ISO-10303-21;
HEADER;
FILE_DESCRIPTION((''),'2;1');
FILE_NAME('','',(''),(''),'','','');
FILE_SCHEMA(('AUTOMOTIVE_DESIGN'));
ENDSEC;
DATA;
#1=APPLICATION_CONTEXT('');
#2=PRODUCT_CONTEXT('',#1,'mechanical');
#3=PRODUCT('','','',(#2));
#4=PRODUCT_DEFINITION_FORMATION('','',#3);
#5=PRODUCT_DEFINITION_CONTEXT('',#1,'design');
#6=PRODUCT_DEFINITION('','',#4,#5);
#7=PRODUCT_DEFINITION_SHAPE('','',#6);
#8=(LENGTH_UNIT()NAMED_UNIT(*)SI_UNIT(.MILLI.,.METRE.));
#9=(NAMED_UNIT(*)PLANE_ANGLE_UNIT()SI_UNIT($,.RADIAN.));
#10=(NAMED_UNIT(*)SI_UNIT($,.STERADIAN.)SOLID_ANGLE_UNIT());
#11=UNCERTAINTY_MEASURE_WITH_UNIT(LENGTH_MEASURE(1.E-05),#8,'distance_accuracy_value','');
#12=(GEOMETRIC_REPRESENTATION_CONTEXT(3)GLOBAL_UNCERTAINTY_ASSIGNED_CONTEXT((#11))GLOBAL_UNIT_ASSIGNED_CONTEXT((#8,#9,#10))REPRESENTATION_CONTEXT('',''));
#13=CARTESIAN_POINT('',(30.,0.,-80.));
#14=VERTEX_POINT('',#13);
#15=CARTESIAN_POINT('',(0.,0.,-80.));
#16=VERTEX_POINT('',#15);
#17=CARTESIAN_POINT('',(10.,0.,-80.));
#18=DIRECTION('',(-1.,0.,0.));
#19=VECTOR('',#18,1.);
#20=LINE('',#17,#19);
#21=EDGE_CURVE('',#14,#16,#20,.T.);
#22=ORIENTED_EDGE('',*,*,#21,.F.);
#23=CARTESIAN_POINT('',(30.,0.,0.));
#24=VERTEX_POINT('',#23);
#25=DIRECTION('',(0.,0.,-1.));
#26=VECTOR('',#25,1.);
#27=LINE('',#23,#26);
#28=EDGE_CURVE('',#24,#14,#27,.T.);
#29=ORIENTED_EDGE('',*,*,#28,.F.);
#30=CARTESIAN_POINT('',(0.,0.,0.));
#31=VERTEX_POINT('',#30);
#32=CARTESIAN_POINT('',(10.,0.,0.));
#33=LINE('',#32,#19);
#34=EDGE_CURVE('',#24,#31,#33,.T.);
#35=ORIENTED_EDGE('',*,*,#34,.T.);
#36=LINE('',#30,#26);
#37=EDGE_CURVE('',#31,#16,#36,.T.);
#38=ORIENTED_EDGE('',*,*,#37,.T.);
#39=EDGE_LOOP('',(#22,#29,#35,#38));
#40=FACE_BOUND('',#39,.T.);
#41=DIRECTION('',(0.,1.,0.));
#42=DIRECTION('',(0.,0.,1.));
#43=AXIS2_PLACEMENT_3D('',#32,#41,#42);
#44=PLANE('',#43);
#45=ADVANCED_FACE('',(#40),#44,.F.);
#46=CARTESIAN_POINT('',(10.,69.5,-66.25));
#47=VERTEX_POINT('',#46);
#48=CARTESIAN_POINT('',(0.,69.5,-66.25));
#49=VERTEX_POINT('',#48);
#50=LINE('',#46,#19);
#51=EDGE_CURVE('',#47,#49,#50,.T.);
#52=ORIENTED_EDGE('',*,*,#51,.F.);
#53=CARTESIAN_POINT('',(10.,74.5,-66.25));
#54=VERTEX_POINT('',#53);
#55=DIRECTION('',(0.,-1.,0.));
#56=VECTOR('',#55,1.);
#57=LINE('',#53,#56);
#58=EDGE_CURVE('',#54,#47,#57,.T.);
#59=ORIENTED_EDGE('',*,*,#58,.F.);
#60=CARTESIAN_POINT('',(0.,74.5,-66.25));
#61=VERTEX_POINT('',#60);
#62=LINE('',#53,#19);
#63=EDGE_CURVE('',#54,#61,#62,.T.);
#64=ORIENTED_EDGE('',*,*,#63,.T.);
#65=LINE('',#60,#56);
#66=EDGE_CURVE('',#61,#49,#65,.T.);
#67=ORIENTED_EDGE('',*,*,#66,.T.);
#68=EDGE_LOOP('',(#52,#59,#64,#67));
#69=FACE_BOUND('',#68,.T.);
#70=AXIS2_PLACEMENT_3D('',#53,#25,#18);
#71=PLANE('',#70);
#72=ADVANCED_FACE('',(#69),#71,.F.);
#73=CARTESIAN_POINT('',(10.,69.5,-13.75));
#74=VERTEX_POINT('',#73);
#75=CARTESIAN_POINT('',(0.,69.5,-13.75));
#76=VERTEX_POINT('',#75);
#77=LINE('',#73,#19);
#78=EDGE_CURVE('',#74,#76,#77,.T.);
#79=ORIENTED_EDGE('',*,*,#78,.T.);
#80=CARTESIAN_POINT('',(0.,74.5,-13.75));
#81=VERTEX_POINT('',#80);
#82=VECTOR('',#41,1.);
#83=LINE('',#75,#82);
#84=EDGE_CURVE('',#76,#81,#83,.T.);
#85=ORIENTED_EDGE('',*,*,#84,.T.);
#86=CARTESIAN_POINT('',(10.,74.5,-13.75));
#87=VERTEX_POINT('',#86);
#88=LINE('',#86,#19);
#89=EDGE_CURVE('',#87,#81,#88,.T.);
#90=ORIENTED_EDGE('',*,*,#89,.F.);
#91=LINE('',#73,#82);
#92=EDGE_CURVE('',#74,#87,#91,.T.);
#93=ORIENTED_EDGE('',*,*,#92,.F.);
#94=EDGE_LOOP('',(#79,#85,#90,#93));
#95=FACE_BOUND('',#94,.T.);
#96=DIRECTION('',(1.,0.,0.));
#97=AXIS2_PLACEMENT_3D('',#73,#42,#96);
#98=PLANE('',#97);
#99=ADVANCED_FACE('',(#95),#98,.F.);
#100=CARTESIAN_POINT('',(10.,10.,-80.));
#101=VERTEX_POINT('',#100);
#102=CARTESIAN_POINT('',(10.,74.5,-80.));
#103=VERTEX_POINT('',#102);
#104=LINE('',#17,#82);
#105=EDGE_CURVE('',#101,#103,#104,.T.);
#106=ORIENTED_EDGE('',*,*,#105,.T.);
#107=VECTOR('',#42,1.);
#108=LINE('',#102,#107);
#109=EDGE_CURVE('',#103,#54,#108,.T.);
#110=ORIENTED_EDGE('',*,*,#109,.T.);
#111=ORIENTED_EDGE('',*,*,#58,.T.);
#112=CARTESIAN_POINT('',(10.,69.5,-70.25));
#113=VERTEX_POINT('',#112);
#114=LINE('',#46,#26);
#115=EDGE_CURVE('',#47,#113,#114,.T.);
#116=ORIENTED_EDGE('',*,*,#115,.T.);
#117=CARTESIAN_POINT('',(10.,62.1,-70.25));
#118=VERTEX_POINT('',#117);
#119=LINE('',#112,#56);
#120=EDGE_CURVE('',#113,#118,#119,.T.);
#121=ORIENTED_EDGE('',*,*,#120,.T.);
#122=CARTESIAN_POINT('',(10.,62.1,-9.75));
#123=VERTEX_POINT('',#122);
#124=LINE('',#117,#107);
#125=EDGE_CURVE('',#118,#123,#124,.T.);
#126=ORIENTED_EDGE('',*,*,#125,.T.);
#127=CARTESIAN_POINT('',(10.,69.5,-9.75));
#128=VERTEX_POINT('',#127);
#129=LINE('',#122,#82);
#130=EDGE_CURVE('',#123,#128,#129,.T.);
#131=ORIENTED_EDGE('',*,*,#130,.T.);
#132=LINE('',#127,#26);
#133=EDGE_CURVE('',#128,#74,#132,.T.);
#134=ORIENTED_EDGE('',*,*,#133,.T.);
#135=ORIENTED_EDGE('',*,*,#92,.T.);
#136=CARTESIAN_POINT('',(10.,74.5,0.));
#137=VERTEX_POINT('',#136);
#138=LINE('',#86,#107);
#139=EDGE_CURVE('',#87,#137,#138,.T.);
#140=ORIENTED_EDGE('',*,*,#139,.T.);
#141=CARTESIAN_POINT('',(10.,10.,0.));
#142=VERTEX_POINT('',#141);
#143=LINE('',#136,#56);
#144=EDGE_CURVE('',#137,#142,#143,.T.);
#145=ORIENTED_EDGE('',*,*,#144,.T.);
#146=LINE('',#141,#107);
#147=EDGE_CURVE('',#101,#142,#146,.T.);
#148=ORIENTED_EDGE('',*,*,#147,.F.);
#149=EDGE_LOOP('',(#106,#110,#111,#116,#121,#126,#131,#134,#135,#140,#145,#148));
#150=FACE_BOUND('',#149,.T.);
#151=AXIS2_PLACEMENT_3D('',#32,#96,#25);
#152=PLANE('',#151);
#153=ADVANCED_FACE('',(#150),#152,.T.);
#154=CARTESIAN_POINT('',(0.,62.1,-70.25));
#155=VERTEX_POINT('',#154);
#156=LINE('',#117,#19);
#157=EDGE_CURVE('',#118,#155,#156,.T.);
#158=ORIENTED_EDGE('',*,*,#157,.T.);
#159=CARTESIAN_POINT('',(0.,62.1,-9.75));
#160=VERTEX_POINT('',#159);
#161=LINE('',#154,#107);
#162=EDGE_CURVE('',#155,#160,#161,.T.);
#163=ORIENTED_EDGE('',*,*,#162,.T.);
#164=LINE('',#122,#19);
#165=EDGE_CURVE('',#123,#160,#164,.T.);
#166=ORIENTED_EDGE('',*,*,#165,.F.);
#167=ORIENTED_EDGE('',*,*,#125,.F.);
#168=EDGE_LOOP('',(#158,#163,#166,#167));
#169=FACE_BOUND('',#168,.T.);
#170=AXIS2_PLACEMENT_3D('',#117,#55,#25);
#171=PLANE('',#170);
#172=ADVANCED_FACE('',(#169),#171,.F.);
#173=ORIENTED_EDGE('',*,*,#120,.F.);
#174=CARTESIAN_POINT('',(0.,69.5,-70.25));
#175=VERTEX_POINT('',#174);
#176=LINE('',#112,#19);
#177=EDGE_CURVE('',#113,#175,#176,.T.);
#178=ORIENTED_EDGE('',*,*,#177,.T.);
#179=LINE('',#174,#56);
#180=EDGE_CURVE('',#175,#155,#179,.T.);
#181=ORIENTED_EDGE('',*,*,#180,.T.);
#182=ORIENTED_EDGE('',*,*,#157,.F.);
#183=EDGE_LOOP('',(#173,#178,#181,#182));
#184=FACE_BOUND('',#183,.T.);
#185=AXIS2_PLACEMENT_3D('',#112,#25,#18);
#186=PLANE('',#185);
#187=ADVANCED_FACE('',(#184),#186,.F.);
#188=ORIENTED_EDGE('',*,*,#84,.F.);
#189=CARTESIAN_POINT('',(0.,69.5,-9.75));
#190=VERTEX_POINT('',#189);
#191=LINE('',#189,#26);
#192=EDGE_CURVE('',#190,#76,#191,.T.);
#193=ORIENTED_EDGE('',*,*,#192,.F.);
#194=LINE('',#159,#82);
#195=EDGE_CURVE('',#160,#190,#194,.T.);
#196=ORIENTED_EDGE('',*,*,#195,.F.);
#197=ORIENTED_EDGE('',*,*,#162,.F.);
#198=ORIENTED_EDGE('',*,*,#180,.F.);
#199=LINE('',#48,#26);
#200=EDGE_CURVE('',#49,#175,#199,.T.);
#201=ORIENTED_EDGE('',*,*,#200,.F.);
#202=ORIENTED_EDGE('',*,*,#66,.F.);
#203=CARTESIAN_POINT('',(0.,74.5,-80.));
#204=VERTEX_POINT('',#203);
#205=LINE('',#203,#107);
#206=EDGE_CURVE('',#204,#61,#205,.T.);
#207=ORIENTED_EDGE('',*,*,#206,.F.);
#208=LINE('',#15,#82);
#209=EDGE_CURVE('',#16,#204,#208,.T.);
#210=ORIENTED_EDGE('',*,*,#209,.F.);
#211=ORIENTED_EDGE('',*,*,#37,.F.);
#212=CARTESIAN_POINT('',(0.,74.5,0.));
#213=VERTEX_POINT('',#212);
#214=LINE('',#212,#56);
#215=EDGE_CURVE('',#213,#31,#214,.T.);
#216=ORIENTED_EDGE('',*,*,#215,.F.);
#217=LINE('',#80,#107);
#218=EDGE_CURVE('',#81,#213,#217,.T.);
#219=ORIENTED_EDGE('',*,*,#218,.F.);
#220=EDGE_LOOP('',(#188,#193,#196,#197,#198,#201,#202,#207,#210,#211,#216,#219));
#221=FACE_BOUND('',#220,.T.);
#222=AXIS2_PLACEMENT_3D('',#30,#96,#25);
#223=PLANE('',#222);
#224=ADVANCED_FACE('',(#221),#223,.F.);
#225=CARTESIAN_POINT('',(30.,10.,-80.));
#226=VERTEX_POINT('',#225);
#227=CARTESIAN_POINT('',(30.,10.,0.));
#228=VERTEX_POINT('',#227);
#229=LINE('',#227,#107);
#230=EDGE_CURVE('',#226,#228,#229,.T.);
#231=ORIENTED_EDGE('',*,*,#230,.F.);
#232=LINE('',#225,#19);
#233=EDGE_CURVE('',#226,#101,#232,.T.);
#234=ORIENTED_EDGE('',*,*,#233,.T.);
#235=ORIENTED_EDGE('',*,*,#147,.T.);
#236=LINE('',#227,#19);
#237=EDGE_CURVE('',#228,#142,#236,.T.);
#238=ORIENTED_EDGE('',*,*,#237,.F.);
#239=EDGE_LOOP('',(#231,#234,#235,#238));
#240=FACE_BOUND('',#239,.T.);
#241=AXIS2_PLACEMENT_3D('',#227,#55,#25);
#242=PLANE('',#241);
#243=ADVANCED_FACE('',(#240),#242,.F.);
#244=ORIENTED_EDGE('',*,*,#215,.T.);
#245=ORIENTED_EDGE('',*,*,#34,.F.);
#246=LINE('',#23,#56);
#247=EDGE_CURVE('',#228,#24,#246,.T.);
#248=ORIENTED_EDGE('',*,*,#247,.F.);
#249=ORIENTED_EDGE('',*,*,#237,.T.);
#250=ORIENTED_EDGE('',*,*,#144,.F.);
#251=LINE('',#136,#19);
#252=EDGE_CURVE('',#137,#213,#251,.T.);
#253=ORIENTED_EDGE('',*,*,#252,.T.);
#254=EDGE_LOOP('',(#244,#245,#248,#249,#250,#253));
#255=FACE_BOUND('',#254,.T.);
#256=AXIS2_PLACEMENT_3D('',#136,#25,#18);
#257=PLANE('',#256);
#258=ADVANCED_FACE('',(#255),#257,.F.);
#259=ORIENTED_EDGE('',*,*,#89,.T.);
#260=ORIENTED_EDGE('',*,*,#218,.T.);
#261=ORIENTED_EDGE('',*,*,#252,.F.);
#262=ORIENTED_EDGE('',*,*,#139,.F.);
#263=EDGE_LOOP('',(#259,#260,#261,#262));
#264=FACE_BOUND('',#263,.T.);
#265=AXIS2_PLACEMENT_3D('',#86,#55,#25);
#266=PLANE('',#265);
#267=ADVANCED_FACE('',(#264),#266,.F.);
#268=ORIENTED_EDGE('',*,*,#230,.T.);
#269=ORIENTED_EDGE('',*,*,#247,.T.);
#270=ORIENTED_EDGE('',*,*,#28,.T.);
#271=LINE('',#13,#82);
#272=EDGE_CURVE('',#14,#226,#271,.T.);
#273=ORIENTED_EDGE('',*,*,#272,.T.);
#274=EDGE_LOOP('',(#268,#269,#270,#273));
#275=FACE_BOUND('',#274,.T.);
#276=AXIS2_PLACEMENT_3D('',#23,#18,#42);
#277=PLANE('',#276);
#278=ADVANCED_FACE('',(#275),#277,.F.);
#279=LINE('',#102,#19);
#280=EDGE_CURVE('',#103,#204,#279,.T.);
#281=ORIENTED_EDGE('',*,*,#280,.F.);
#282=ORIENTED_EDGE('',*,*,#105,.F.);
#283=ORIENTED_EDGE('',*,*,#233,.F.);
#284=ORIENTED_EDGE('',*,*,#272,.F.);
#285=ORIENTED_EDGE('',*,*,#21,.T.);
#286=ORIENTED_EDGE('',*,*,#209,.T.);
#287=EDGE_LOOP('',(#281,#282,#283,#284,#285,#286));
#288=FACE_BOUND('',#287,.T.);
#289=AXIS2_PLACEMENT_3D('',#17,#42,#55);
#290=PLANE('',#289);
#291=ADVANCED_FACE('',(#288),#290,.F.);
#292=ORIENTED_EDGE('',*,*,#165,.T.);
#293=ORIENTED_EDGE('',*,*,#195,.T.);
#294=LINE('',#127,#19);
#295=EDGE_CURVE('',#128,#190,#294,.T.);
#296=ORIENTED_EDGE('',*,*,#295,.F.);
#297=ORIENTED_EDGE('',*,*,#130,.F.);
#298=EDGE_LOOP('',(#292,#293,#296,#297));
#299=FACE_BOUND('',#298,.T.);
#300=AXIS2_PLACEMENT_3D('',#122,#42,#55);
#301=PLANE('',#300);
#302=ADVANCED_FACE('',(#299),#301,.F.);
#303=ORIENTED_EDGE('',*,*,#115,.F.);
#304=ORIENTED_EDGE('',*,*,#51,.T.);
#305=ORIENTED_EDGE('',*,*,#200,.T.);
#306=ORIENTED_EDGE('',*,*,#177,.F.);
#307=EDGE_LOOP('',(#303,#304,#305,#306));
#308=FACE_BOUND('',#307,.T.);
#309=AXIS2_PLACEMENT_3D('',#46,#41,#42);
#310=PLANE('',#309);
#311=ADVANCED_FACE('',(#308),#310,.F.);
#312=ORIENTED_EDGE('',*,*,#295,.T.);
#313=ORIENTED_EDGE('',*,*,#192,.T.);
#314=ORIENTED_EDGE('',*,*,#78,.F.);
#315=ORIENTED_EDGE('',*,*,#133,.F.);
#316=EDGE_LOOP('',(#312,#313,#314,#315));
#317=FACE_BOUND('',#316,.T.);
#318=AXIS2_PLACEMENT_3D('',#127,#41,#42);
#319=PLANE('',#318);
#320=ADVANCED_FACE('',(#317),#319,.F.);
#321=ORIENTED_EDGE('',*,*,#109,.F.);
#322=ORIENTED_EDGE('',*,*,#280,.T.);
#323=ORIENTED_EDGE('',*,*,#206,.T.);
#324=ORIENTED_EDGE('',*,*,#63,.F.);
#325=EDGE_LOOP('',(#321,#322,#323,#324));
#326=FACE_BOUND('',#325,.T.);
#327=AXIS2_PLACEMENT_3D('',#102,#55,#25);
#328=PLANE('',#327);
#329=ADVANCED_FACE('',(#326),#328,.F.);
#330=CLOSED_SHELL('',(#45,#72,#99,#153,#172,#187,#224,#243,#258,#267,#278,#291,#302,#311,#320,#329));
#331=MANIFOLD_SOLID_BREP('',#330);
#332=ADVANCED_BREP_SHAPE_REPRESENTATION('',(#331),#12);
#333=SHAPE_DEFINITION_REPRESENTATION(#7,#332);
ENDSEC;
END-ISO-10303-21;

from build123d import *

# Parameters (mm, degrees)
BOSS_EXTRUDE1_DEPTH = 10
SKETCH2_W           = 80
SKETCH2_H           = 10
BOSS_EXTRUDE2_DEPTH = 20


with BuildPart() as part:
    # Sketch1 → Boss-Extrude1 (new body)
    with BuildSketch(Plane(origin=(0, 0, 0), x_dir=(0, 0, -1), z_dir=(1, 0, 0))):
        Polygon((0, 0), (80, 0), (80, 74.5), (66.25, 74.5), (66.25, 69.5), (70.25, 69.5), (70.25, 62.1), (9.75, 62.1), (9.75, 69.5), (13.75, 69.5), (13.75, 74.5), (0, 74.5), align=None)
    extrude(amount=BOSS_EXTRUDE1_DEPTH)

    # Sketch2 → Boss-Extrude2 (add)
    with BuildSketch(Plane(origin=(10, 0, 0), x_dir=(0, 0, -1), z_dir=(1, 0, 0))):
        with Locations((40, 5)):
            Rectangle(SKETCH2_W, SKETCH2_H)
    extrude(amount=BOSS_EXTRUDE2_DEPTH)


solid = part.part
